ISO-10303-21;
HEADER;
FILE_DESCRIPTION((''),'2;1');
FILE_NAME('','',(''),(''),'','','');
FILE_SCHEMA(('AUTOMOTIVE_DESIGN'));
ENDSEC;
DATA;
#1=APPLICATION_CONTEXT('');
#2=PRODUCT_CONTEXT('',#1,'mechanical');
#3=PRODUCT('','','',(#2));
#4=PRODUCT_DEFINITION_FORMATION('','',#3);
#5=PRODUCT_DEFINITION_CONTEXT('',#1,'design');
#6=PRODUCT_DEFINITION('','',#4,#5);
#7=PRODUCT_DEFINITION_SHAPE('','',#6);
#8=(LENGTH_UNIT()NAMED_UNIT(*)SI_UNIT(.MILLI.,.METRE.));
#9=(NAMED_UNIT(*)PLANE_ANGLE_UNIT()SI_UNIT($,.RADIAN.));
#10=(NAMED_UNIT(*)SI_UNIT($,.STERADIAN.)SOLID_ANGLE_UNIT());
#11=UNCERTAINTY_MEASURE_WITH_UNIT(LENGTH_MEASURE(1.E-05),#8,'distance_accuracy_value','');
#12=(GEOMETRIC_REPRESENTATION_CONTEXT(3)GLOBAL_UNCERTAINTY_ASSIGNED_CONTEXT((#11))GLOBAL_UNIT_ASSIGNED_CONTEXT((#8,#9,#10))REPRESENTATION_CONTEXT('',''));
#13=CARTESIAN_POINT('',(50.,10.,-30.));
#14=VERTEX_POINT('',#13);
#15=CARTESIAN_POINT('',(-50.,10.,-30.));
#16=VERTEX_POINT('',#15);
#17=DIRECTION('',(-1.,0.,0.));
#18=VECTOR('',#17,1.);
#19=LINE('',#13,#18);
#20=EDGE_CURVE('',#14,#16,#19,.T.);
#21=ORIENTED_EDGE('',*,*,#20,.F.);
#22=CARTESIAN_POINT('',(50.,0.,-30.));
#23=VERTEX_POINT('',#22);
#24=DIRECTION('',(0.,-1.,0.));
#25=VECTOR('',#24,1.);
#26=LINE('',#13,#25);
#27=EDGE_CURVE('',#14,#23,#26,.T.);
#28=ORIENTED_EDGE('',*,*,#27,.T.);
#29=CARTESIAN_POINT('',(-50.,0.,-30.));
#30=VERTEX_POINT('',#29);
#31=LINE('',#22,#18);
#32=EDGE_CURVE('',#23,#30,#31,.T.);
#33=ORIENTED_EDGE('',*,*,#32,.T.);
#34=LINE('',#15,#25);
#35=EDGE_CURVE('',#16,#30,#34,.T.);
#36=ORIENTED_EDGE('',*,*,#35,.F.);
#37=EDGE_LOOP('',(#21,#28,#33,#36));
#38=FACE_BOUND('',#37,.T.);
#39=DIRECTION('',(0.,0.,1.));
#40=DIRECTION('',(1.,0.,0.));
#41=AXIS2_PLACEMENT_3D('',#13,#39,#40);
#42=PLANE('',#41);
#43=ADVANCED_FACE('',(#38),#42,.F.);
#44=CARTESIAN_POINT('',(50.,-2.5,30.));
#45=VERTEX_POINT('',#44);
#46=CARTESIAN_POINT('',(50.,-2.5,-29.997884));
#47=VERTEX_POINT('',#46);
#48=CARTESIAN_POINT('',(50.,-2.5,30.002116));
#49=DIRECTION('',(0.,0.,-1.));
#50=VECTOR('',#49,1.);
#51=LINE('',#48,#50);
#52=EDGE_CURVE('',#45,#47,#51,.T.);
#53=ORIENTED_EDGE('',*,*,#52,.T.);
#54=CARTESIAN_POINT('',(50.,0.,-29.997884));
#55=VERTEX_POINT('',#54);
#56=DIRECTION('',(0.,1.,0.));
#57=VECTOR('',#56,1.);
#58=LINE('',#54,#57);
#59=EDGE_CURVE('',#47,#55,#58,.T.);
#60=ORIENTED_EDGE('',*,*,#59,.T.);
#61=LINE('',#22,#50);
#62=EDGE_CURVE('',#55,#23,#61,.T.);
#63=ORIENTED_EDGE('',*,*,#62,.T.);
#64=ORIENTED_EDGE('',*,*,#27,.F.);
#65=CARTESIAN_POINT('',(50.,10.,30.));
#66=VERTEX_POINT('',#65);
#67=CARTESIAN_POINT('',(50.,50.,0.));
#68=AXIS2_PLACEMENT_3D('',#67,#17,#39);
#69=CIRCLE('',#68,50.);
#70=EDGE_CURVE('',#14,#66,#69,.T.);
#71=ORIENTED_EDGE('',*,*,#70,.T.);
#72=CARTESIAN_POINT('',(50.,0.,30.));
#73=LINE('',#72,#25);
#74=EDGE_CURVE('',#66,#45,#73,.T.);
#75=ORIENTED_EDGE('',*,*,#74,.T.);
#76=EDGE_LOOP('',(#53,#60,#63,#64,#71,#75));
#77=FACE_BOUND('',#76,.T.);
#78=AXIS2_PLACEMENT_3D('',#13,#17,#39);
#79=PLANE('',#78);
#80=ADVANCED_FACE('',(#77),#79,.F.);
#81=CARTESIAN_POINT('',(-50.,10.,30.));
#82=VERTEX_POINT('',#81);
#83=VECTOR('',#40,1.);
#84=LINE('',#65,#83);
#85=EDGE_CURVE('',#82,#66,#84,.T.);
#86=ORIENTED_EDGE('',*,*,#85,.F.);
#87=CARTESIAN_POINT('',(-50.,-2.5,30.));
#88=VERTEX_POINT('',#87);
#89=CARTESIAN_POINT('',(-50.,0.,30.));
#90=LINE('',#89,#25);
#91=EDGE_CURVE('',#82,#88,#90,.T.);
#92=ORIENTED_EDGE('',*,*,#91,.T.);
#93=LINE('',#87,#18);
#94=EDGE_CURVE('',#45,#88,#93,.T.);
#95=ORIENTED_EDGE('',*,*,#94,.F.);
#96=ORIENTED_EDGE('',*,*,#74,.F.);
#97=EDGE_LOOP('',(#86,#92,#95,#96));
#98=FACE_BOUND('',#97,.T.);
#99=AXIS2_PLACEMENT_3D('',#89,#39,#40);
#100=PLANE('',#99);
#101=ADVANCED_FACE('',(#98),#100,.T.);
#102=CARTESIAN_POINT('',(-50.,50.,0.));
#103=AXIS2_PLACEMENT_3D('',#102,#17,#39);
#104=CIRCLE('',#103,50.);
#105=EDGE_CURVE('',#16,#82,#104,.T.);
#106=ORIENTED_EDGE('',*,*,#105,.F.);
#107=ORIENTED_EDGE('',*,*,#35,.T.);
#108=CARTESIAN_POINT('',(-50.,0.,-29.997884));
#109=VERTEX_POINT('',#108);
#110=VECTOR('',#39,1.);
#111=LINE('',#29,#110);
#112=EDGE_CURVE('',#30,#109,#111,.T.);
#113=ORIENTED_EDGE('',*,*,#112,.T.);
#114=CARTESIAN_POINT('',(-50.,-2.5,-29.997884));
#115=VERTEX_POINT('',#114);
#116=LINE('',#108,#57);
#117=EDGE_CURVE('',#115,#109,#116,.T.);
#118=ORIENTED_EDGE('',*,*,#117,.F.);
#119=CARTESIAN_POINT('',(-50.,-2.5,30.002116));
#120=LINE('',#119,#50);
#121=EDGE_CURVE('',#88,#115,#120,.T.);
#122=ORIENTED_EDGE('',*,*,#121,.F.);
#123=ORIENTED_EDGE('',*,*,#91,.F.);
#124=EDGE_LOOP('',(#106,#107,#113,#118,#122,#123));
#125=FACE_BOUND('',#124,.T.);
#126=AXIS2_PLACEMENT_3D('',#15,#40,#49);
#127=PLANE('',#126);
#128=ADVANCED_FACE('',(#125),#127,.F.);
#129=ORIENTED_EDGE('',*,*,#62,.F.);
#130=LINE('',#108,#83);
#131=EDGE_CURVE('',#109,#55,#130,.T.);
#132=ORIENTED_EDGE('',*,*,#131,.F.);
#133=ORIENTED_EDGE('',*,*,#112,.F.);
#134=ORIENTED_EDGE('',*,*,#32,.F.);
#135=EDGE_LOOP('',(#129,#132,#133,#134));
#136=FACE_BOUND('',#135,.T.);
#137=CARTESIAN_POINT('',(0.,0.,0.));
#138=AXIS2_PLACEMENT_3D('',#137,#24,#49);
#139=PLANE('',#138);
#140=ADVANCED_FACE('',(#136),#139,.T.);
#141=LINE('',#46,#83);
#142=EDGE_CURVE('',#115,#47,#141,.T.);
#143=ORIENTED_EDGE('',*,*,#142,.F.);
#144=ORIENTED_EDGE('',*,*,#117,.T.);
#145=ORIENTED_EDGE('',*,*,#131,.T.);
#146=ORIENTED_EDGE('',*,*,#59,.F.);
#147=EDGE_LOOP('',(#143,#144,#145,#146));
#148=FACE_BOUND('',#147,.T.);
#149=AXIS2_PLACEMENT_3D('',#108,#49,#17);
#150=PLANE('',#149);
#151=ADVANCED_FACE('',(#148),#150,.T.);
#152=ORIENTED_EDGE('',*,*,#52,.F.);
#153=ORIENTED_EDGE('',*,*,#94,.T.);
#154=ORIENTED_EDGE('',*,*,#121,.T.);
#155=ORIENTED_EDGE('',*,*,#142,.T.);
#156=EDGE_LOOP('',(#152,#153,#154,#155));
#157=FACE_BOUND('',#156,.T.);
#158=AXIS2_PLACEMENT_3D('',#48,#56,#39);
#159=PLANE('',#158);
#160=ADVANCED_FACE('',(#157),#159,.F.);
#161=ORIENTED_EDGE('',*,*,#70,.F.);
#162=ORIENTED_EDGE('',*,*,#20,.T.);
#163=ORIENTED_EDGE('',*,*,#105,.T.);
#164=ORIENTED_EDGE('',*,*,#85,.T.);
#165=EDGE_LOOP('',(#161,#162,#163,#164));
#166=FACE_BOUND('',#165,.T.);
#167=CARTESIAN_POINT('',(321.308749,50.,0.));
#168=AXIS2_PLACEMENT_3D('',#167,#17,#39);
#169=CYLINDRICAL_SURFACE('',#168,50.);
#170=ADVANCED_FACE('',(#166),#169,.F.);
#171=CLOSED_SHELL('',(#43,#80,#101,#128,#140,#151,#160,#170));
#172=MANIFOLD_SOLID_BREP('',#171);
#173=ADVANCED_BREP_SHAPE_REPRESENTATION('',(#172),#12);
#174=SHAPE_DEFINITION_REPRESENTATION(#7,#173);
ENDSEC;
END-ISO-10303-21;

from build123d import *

# Parameters (mm, degrees)
SKETCH1_W               = 100
SKETCH1_H               = 60
BOSS_EXTRUDE4_DEPTH     = 10
CUT_EXTRUDE1_DEPTH      = 105.880884817
CUT_EXTRUDE1_DEPTH_BACK = 100
SKETCH3_W               = 59.99788365
SKETCH3_H               = 10
BOSS_EXTRUDE5_DEPTH     = 100
SKETCH4_W               = 100
SKETCH4_H               = 5
CUT_EXTRUDE2_DEPTH      = 60
SKETCH5_W               = 100
SKETCH5_H               = 2.5
CUT_EXTRUDE3_DEPTH      = 60


with BuildPart() as part:
    # Sketch1 → Boss-Extrude4 (new body)
    with BuildSketch(Plane(origin=(0, 0, 0), x_dir=(1, 0, 0), z_dir=(0, 1, 0))):
        Rectangle(SKETCH1_W, SKETCH1_H)
    extrude(amount=BOSS_EXTRUDE4_DEPTH)

    # Sketch2 → Cut-Extrude1 (cut, two sides: drawn at the far end of the back side and taken through both)
    with BuildSketch(Plane(origin=(50, 0, 0), x_dir=(0, 0, -1), z_dir=(1, 0, 0)).offset(-CUT_EXTRUDE1_DEPTH_BACK)):
        with BuildLine():
            Line((-135.324200485, 88.993150364), (-30, 10))
            ThreePointArc((-30, 10), (0, 0), (30, 10))
            Line((30, 10), (135.324200485, 88.993150364))
            Line((135.324200485, 88.993150364), (135.324200485, 352.303651576))
            Line((135.324200485, 352.303651576), (-135.324200485, 352.303651576))
            Line((-135.324200485, 352.303651576), (-135.324200485, 88.993150364))
        make_face()
    extrude(amount=CUT_EXTRUDE1_DEPTH + CUT_EXTRUDE1_DEPTH_BACK, mode=Mode.SUBTRACT)


with BuildPart() as cut_extrude1_piece_1:
    # of the separate pieces the step leaves, piece 1, a body of its own (cut_extrude1_pieces)
    add(part.part.solids().sort_by_distance((50, 0, 30))[0])



with BuildPart() as cut_extrude1_piece_2:
    # of the separate pieces the step leaves, piece 2, a body of its own (cut_extrude1_pieces)
    add(part.part.solids().sort_by_distance((50, 0, -30))[0])


with BuildPart() as cut_extrude1_piece_1_1:
    add(cut_extrude1_piece_1.part)

    add(cut_extrude1_piece_2.part)  # Boss-Extrude5 merges Cut-Extrude1 piece 2
    # Sketch3 → Boss-Extrude5 (add)
    with BuildSketch(Plane(origin=(50, 0, 0), x_dir=(0, 0, -1), z_dir=(1, 0, 0))):
        with Locations((-0.001058175, -5)):
            Rectangle(SKETCH3_W, SKETCH3_H)
    extrude(amount=-BOSS_EXTRUDE5_DEPTH)

    # Sketch4 → Cut-Extrude2 (cut)
    with BuildSketch(Plane(origin=(0, 0, -29.99788365), x_dir=(-1, 0, 0), z_dir=(0, 0, -1))):
        with Locations((0, -7.5)):
            Rectangle(SKETCH4_W, SKETCH4_H)
    extrude(amount=-CUT_EXTRUDE2_DEPTH, mode=Mode.SUBTRACT)

    # Sketch5 → Cut-Extrude3 (cut)
    with BuildSketch(Plane(origin=(0, 0, -29.99788365), x_dir=(-1, 0, 0), z_dir=(0, 0, -1))):
        with Locations((0, -3.75)):
            Rectangle(SKETCH5_W, SKETCH5_H)
    extrude(amount=-CUT_EXTRUDE3_DEPTH, mode=Mode.SUBTRACT)


solid = cut_extrude1_piece_1_1.part
